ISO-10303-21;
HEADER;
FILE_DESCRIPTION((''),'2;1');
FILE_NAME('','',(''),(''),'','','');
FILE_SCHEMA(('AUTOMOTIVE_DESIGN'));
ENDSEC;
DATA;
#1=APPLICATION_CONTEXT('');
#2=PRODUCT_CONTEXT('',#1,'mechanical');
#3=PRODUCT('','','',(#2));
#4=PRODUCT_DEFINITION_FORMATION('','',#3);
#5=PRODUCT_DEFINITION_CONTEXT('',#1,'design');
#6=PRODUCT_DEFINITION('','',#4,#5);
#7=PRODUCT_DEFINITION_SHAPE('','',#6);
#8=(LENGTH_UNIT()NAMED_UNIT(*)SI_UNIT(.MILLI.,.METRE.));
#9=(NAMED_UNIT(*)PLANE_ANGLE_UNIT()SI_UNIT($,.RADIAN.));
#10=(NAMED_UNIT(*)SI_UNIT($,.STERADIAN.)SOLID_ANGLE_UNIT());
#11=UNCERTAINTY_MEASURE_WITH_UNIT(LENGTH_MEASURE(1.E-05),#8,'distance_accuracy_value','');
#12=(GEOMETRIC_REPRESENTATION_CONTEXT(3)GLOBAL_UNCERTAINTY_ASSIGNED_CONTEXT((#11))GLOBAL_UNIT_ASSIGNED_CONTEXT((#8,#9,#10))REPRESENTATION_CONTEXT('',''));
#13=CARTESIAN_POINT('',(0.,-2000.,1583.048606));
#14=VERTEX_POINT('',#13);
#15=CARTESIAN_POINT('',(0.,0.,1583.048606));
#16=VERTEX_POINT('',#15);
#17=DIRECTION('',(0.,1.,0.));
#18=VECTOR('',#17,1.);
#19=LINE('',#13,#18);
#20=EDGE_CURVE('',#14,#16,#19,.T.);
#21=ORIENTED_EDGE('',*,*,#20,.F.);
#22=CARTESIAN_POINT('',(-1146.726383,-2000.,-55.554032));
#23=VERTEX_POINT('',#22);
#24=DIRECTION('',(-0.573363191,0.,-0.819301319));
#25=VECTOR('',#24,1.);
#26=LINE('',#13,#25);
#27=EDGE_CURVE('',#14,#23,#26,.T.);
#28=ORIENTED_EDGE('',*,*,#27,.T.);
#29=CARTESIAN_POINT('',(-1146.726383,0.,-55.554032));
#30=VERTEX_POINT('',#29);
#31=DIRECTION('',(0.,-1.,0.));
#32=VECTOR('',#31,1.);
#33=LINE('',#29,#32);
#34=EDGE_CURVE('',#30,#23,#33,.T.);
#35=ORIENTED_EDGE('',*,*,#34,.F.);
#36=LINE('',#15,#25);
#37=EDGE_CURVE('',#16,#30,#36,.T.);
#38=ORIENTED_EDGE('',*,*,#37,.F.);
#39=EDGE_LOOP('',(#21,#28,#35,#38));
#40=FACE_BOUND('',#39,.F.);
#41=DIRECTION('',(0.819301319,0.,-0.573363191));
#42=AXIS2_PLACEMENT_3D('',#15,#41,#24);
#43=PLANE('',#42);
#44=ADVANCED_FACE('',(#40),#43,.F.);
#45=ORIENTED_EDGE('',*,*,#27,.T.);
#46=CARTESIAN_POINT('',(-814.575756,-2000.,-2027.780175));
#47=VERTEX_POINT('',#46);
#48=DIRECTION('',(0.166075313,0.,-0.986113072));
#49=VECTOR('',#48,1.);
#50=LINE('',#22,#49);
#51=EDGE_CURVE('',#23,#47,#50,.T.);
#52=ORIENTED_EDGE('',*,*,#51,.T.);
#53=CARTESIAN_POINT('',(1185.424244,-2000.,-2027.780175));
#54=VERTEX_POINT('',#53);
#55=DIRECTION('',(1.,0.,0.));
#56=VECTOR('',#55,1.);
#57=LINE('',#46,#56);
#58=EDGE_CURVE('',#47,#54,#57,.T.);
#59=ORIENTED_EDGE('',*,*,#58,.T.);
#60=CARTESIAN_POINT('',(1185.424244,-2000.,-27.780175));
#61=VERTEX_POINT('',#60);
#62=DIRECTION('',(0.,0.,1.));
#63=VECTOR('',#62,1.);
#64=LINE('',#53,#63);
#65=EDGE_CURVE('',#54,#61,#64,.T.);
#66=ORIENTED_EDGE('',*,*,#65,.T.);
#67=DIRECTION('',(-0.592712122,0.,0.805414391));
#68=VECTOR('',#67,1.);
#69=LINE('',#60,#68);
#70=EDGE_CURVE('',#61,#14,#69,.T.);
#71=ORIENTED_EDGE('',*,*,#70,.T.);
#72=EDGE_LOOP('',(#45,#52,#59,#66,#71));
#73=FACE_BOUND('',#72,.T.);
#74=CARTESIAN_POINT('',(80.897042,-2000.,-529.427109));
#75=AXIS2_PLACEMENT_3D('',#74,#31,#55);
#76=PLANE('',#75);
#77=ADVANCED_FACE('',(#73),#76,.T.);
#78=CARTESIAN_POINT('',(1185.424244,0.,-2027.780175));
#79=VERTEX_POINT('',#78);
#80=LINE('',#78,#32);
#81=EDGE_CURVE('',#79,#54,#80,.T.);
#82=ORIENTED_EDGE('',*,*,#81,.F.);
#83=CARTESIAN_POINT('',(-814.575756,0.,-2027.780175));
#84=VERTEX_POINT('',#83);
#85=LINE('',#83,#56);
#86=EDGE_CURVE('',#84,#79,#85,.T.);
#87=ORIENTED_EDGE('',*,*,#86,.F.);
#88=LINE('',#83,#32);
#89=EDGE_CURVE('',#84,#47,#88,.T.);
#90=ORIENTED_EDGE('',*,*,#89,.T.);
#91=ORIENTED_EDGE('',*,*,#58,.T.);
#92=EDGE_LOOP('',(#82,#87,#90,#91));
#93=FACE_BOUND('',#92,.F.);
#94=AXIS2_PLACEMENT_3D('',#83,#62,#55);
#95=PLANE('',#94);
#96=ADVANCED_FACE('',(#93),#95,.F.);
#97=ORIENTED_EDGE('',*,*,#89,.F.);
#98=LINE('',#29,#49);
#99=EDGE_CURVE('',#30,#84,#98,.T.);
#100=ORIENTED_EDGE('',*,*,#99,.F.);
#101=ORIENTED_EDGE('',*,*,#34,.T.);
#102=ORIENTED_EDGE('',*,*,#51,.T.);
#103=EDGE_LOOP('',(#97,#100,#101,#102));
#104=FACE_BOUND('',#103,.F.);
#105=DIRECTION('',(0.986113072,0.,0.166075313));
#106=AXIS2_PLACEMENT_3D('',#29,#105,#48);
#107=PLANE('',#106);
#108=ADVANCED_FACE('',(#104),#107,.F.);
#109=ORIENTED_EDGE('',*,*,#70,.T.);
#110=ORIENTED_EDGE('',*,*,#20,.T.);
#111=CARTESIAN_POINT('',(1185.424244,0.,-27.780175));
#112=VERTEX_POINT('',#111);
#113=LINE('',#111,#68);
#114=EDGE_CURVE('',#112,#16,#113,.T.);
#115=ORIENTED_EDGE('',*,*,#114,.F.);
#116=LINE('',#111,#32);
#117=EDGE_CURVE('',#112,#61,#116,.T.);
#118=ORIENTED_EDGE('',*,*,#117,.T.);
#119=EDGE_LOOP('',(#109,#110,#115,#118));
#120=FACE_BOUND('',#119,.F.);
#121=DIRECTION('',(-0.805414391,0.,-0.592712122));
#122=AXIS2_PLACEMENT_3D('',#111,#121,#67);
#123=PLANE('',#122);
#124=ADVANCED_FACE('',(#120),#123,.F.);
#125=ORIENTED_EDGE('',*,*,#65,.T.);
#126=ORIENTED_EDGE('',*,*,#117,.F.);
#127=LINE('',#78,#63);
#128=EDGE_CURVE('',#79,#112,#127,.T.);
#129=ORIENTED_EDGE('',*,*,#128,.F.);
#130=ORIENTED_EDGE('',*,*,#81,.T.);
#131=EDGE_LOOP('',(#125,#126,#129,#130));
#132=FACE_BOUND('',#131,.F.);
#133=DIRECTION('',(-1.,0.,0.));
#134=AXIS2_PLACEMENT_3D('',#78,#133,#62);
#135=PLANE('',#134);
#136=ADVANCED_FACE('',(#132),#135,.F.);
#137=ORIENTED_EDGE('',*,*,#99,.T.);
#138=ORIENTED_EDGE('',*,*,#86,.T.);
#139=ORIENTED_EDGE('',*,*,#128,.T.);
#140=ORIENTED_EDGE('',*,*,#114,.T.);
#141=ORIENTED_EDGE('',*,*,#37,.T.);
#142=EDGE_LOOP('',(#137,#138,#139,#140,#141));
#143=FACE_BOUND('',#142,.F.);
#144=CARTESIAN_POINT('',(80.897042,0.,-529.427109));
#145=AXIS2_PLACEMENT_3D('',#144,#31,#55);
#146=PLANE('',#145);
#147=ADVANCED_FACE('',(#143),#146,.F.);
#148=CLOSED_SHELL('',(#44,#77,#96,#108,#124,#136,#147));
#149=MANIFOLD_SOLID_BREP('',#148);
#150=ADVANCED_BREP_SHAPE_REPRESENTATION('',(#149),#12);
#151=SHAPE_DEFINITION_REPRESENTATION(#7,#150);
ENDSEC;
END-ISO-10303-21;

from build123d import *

# Parameters (mm, degrees)
F0_W     = 30.3246276453
F0_H     = 62.882467173
F1_DEPTH = 2000
F3_DEPTH = 39.7
F5_DEPTH = 25


with BuildPart() as f1:
    # F0 (on Front) → F1 (new body)
    with BuildSketch(Plane.XZ):
        Polygon((15.5736943707, -2027.7801752798), (1185.4242439872, -2027.7801752798), (1185.4242439872, -27.7801752798), (0, 1583.0486057418), (-1146.7263825591, -55.5540317341), (-814.5757560128, -2027.7801752798), (-14.7509332746, -2027.7801752798), (-14.7509332746, -1964.8977081067), (15.5736943707, -1964.8977081067), align=None)
        with Locations((0.411380548, -1996.3389416932)):
            Rectangle(F0_W, F0_H)
    extrude(amount=F1_DEPTH)

    # F2 (on face) → F3 (cut)
    with BuildSketch(Plane.XZ.offset(2000)):
        Polygon((-1157.9087838261, -65.6622456058), (-1146.7263825591, -55.5540317341), (-1157.9087838261, -55.5540317341), align=None)
    extrude(amount=-F3_DEPTH, mode=Mode.SUBTRACT)

    # F4 (on face) → F5 (cut)
    with BuildSketch(Plane(origin=(0, 0, 0), x_dir=(-1, 0, 0), z_dir=(0, 1, 0))):
        Polygon((-11.182401267, 1572.3321935253), (0, 1583.0486057418), (-11.182401267, 1583.0486057418), align=None)
    extrude(amount=-F5_DEPTH, mode=Mode.SUBTRACT)


solid = f1.part
